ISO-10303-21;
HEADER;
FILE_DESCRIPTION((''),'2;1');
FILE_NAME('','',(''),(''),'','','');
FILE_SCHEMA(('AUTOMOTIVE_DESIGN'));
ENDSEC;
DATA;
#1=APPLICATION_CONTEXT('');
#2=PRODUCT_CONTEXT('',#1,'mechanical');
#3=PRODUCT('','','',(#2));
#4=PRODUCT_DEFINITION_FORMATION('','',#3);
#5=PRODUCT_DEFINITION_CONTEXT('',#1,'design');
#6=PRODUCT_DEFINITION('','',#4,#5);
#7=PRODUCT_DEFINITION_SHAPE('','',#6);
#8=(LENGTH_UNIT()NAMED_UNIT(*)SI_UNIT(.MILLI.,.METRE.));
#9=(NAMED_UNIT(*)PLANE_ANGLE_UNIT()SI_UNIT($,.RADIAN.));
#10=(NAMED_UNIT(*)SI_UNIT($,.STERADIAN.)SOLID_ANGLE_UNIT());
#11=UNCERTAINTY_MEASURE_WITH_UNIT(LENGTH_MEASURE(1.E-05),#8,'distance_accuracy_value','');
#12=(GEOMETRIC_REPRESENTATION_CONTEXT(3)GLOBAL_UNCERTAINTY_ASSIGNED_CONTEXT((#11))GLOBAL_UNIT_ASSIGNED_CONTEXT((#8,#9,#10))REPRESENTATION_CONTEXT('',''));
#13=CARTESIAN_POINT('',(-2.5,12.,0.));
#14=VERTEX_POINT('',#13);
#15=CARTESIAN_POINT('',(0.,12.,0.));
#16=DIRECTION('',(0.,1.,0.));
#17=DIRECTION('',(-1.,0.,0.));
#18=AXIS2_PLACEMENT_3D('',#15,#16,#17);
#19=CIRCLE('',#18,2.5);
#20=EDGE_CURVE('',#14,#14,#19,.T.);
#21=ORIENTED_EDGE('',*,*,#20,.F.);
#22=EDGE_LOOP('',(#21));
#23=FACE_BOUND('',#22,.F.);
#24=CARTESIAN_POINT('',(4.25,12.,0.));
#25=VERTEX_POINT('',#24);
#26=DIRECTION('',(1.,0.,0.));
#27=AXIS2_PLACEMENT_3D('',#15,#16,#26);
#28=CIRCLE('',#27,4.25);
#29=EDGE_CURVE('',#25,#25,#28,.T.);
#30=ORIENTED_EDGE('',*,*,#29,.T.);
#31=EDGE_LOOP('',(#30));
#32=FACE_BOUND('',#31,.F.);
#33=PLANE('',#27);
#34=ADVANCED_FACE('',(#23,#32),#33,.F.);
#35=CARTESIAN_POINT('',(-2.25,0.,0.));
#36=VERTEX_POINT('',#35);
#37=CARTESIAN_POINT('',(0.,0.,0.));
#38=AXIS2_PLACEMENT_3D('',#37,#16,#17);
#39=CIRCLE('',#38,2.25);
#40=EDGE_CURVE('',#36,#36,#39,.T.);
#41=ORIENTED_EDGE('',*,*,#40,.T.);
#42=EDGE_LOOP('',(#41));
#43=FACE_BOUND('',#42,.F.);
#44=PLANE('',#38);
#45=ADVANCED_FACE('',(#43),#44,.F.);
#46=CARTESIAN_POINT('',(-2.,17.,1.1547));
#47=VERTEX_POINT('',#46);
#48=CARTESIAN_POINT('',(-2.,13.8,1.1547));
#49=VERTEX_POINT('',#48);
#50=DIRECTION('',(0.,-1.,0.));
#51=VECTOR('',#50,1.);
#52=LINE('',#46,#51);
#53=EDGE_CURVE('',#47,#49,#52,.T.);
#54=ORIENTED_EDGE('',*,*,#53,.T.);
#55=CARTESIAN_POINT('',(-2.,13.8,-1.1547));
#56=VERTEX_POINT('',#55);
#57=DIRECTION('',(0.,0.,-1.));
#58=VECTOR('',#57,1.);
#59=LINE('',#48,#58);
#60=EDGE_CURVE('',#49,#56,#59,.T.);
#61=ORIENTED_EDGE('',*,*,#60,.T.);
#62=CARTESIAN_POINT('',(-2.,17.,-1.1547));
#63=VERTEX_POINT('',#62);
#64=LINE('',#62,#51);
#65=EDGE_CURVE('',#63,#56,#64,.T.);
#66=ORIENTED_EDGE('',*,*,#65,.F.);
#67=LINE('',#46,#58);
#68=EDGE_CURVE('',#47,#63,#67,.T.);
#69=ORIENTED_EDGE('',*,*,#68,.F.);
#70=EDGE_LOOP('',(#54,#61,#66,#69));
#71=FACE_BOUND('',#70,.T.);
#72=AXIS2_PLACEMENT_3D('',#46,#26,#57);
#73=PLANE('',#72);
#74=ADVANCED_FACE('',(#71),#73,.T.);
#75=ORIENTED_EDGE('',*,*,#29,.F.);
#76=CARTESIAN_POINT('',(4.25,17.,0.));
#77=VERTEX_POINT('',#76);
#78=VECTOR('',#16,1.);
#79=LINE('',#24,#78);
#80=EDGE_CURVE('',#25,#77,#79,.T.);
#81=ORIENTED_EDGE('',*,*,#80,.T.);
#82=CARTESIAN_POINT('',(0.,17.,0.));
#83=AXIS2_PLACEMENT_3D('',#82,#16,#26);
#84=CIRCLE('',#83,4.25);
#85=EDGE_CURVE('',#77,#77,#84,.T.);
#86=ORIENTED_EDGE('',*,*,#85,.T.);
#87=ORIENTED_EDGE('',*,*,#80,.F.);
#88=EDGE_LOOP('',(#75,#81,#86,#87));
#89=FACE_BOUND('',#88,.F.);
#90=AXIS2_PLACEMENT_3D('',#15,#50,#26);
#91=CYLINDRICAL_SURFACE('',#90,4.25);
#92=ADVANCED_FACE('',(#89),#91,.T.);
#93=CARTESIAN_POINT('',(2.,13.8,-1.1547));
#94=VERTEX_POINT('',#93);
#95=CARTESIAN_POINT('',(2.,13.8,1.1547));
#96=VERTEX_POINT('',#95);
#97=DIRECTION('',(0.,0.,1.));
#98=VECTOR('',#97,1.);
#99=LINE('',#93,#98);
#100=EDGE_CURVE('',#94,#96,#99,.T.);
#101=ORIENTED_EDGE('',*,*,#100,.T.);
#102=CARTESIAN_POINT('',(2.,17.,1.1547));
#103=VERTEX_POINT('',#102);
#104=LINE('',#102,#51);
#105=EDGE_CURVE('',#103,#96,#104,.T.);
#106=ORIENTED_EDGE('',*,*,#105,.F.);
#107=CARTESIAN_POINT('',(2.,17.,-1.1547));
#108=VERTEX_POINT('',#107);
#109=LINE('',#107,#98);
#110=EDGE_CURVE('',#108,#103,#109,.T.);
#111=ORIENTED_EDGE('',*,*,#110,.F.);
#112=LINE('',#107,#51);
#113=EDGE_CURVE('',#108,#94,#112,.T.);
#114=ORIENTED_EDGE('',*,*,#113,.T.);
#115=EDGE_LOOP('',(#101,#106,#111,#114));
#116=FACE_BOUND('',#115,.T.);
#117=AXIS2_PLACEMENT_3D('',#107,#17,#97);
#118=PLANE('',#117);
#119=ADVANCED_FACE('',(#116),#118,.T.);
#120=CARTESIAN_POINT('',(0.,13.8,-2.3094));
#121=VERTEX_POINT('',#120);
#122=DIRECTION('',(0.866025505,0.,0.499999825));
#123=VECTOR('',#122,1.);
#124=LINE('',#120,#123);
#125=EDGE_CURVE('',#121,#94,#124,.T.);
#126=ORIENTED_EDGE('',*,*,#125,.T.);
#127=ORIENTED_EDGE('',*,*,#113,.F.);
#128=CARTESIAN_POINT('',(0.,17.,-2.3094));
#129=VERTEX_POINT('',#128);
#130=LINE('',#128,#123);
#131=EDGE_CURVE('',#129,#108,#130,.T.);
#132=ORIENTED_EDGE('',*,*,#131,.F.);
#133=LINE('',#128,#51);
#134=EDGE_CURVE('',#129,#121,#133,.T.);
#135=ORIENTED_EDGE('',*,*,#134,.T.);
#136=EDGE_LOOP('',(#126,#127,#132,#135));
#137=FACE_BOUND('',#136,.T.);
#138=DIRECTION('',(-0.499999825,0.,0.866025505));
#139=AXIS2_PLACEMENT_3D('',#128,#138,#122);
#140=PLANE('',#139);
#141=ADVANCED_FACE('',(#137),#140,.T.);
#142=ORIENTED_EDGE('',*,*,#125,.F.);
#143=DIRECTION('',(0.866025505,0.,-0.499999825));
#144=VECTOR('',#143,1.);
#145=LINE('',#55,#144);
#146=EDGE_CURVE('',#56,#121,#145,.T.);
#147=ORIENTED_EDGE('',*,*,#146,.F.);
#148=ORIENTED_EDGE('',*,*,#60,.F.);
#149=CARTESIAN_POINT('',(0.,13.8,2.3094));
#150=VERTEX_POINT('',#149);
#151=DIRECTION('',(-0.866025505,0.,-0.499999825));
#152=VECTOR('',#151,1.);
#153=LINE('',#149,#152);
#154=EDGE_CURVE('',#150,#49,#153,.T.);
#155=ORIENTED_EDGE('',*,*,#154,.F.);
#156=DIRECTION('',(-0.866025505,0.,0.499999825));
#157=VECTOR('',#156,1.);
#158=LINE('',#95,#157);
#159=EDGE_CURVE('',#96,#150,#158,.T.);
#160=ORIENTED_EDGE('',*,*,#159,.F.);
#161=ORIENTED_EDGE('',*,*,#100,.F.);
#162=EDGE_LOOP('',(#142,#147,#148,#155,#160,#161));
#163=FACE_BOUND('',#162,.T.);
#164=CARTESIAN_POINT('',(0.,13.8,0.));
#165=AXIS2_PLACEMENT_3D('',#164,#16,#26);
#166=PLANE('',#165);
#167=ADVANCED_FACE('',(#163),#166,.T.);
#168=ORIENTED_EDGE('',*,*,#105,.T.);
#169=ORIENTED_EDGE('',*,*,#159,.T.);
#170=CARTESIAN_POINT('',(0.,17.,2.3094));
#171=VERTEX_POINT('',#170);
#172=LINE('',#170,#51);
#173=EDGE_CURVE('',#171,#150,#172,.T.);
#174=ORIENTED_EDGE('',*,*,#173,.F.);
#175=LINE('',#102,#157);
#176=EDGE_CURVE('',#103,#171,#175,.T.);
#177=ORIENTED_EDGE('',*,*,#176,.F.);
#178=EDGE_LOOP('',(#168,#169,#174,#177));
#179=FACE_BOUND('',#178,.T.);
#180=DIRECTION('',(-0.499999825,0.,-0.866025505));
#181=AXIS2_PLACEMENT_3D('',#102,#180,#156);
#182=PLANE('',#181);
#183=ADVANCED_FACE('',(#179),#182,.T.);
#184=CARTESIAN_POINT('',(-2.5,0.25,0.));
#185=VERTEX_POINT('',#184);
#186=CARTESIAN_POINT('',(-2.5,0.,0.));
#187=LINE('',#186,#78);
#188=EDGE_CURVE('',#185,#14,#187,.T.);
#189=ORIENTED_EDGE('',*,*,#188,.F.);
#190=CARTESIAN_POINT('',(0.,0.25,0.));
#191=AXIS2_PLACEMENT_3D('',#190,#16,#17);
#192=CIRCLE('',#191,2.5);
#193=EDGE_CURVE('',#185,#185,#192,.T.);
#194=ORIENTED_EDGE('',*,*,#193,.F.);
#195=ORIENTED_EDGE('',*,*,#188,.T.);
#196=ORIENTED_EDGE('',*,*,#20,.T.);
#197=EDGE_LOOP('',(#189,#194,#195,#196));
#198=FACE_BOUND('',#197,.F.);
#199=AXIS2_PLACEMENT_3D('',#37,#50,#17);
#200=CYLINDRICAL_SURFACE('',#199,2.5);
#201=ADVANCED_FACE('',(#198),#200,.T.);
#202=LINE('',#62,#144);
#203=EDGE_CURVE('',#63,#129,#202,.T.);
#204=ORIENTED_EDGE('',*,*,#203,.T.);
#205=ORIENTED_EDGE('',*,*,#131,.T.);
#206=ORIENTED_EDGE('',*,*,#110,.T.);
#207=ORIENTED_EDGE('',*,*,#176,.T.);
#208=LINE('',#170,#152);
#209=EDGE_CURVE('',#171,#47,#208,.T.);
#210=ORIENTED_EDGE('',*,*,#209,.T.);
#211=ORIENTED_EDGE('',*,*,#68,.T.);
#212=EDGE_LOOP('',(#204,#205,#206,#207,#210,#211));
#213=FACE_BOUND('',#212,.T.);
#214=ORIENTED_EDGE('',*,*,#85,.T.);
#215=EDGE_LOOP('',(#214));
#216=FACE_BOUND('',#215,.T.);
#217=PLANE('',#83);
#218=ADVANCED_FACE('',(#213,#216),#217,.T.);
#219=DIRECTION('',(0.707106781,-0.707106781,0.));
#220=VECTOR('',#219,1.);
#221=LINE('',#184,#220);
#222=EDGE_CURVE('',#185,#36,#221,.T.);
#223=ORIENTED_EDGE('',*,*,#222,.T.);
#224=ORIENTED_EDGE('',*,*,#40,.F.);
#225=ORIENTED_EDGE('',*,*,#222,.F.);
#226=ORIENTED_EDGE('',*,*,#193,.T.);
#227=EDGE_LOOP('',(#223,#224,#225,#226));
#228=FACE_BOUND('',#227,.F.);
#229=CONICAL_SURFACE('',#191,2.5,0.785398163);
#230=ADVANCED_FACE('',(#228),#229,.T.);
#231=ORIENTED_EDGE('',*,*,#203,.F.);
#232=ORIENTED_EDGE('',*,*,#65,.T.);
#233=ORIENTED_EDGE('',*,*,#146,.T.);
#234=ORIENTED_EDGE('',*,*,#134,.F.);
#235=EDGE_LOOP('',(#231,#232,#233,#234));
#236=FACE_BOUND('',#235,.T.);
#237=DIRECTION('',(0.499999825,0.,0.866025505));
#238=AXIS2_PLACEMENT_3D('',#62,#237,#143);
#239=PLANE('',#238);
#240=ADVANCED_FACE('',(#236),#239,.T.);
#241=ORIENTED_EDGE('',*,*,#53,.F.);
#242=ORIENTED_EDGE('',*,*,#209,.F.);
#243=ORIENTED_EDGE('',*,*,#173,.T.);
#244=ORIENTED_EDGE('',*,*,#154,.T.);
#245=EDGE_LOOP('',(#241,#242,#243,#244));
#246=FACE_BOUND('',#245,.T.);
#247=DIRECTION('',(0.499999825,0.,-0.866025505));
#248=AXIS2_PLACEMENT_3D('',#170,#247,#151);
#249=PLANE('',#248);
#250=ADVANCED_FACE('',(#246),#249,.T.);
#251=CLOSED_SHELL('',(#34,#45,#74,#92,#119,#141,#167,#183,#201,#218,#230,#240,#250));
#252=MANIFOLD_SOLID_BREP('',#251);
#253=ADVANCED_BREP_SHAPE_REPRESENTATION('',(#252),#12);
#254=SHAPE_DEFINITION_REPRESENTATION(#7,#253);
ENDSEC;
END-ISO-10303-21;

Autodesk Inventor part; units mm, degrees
ref_plane "YZ Plane" through (0, 0, 0) normal (1, 0, 0) x (0, 1, 0)
ref_plane "XZ Plane" through (0, 0, 0) normal (0, 1, 0) x (-1, 0, 0)
ref_plane "XY Plane" through (0, 0, 0) normal (0, 0, 1) x (1, 0, 0)
sketch "Sketch1" plane through (0, 0, 0) normal (0, 1, 0) x (-1, 0, 0)
  circle A0 centre (0, 0) radius 2.5
  dimension "d0" = 5
extrude "Extrusion1" add sketch "Sketch1" along normal blind 12
sketch "Sketch2" plane through (0, 12, 0) normal (0, 1, 0) x (1, 0, 0)
  circle A0 centre (0, 0) radius 2.5 projected
  circle A1 centre (0, 0) radius 4.25
  dimension "d3" = 8.5
extrude "Extrusion2" add sketch "Sketch2" along normal blind 5 contours A0 | A1
sketch "Sketch3" plane through (0, 17, 0) normal (0, 1, 0) x (1, 0, 0)
  circle A0 centre (0, 0) radius 4.25 projected
  line L0 (0, 2.3094) -> (2, 1.1547)
  line L1 (2, 1.1547) -> (2, -1.1547)
  line L2 (2, -1.1547) -> (0, -2.3094)
  line L3 (0, -2.3094) -> (-2, -1.1547)
  line L4 (-2, -1.1547) -> (-2, 1.1547)
  line L5 (-2, 1.1547) -> (0, 2.3094)
  dimension "d6" = 2
extrude "Extrusion3" cut sketch "Sketch3" against normal blind 3.2 contours L0 L1 L2 L3 L4 L5
thread "Thread1" size "M5x0.8" class "6g" standard "ANSI Metric M Profile" full length
chamfer "Chamfer1" distance 0.25 angle 45 1 edges at (2.5, 0, 0)
properties part number "M5x12SHCS" material "Stainless Steel"
